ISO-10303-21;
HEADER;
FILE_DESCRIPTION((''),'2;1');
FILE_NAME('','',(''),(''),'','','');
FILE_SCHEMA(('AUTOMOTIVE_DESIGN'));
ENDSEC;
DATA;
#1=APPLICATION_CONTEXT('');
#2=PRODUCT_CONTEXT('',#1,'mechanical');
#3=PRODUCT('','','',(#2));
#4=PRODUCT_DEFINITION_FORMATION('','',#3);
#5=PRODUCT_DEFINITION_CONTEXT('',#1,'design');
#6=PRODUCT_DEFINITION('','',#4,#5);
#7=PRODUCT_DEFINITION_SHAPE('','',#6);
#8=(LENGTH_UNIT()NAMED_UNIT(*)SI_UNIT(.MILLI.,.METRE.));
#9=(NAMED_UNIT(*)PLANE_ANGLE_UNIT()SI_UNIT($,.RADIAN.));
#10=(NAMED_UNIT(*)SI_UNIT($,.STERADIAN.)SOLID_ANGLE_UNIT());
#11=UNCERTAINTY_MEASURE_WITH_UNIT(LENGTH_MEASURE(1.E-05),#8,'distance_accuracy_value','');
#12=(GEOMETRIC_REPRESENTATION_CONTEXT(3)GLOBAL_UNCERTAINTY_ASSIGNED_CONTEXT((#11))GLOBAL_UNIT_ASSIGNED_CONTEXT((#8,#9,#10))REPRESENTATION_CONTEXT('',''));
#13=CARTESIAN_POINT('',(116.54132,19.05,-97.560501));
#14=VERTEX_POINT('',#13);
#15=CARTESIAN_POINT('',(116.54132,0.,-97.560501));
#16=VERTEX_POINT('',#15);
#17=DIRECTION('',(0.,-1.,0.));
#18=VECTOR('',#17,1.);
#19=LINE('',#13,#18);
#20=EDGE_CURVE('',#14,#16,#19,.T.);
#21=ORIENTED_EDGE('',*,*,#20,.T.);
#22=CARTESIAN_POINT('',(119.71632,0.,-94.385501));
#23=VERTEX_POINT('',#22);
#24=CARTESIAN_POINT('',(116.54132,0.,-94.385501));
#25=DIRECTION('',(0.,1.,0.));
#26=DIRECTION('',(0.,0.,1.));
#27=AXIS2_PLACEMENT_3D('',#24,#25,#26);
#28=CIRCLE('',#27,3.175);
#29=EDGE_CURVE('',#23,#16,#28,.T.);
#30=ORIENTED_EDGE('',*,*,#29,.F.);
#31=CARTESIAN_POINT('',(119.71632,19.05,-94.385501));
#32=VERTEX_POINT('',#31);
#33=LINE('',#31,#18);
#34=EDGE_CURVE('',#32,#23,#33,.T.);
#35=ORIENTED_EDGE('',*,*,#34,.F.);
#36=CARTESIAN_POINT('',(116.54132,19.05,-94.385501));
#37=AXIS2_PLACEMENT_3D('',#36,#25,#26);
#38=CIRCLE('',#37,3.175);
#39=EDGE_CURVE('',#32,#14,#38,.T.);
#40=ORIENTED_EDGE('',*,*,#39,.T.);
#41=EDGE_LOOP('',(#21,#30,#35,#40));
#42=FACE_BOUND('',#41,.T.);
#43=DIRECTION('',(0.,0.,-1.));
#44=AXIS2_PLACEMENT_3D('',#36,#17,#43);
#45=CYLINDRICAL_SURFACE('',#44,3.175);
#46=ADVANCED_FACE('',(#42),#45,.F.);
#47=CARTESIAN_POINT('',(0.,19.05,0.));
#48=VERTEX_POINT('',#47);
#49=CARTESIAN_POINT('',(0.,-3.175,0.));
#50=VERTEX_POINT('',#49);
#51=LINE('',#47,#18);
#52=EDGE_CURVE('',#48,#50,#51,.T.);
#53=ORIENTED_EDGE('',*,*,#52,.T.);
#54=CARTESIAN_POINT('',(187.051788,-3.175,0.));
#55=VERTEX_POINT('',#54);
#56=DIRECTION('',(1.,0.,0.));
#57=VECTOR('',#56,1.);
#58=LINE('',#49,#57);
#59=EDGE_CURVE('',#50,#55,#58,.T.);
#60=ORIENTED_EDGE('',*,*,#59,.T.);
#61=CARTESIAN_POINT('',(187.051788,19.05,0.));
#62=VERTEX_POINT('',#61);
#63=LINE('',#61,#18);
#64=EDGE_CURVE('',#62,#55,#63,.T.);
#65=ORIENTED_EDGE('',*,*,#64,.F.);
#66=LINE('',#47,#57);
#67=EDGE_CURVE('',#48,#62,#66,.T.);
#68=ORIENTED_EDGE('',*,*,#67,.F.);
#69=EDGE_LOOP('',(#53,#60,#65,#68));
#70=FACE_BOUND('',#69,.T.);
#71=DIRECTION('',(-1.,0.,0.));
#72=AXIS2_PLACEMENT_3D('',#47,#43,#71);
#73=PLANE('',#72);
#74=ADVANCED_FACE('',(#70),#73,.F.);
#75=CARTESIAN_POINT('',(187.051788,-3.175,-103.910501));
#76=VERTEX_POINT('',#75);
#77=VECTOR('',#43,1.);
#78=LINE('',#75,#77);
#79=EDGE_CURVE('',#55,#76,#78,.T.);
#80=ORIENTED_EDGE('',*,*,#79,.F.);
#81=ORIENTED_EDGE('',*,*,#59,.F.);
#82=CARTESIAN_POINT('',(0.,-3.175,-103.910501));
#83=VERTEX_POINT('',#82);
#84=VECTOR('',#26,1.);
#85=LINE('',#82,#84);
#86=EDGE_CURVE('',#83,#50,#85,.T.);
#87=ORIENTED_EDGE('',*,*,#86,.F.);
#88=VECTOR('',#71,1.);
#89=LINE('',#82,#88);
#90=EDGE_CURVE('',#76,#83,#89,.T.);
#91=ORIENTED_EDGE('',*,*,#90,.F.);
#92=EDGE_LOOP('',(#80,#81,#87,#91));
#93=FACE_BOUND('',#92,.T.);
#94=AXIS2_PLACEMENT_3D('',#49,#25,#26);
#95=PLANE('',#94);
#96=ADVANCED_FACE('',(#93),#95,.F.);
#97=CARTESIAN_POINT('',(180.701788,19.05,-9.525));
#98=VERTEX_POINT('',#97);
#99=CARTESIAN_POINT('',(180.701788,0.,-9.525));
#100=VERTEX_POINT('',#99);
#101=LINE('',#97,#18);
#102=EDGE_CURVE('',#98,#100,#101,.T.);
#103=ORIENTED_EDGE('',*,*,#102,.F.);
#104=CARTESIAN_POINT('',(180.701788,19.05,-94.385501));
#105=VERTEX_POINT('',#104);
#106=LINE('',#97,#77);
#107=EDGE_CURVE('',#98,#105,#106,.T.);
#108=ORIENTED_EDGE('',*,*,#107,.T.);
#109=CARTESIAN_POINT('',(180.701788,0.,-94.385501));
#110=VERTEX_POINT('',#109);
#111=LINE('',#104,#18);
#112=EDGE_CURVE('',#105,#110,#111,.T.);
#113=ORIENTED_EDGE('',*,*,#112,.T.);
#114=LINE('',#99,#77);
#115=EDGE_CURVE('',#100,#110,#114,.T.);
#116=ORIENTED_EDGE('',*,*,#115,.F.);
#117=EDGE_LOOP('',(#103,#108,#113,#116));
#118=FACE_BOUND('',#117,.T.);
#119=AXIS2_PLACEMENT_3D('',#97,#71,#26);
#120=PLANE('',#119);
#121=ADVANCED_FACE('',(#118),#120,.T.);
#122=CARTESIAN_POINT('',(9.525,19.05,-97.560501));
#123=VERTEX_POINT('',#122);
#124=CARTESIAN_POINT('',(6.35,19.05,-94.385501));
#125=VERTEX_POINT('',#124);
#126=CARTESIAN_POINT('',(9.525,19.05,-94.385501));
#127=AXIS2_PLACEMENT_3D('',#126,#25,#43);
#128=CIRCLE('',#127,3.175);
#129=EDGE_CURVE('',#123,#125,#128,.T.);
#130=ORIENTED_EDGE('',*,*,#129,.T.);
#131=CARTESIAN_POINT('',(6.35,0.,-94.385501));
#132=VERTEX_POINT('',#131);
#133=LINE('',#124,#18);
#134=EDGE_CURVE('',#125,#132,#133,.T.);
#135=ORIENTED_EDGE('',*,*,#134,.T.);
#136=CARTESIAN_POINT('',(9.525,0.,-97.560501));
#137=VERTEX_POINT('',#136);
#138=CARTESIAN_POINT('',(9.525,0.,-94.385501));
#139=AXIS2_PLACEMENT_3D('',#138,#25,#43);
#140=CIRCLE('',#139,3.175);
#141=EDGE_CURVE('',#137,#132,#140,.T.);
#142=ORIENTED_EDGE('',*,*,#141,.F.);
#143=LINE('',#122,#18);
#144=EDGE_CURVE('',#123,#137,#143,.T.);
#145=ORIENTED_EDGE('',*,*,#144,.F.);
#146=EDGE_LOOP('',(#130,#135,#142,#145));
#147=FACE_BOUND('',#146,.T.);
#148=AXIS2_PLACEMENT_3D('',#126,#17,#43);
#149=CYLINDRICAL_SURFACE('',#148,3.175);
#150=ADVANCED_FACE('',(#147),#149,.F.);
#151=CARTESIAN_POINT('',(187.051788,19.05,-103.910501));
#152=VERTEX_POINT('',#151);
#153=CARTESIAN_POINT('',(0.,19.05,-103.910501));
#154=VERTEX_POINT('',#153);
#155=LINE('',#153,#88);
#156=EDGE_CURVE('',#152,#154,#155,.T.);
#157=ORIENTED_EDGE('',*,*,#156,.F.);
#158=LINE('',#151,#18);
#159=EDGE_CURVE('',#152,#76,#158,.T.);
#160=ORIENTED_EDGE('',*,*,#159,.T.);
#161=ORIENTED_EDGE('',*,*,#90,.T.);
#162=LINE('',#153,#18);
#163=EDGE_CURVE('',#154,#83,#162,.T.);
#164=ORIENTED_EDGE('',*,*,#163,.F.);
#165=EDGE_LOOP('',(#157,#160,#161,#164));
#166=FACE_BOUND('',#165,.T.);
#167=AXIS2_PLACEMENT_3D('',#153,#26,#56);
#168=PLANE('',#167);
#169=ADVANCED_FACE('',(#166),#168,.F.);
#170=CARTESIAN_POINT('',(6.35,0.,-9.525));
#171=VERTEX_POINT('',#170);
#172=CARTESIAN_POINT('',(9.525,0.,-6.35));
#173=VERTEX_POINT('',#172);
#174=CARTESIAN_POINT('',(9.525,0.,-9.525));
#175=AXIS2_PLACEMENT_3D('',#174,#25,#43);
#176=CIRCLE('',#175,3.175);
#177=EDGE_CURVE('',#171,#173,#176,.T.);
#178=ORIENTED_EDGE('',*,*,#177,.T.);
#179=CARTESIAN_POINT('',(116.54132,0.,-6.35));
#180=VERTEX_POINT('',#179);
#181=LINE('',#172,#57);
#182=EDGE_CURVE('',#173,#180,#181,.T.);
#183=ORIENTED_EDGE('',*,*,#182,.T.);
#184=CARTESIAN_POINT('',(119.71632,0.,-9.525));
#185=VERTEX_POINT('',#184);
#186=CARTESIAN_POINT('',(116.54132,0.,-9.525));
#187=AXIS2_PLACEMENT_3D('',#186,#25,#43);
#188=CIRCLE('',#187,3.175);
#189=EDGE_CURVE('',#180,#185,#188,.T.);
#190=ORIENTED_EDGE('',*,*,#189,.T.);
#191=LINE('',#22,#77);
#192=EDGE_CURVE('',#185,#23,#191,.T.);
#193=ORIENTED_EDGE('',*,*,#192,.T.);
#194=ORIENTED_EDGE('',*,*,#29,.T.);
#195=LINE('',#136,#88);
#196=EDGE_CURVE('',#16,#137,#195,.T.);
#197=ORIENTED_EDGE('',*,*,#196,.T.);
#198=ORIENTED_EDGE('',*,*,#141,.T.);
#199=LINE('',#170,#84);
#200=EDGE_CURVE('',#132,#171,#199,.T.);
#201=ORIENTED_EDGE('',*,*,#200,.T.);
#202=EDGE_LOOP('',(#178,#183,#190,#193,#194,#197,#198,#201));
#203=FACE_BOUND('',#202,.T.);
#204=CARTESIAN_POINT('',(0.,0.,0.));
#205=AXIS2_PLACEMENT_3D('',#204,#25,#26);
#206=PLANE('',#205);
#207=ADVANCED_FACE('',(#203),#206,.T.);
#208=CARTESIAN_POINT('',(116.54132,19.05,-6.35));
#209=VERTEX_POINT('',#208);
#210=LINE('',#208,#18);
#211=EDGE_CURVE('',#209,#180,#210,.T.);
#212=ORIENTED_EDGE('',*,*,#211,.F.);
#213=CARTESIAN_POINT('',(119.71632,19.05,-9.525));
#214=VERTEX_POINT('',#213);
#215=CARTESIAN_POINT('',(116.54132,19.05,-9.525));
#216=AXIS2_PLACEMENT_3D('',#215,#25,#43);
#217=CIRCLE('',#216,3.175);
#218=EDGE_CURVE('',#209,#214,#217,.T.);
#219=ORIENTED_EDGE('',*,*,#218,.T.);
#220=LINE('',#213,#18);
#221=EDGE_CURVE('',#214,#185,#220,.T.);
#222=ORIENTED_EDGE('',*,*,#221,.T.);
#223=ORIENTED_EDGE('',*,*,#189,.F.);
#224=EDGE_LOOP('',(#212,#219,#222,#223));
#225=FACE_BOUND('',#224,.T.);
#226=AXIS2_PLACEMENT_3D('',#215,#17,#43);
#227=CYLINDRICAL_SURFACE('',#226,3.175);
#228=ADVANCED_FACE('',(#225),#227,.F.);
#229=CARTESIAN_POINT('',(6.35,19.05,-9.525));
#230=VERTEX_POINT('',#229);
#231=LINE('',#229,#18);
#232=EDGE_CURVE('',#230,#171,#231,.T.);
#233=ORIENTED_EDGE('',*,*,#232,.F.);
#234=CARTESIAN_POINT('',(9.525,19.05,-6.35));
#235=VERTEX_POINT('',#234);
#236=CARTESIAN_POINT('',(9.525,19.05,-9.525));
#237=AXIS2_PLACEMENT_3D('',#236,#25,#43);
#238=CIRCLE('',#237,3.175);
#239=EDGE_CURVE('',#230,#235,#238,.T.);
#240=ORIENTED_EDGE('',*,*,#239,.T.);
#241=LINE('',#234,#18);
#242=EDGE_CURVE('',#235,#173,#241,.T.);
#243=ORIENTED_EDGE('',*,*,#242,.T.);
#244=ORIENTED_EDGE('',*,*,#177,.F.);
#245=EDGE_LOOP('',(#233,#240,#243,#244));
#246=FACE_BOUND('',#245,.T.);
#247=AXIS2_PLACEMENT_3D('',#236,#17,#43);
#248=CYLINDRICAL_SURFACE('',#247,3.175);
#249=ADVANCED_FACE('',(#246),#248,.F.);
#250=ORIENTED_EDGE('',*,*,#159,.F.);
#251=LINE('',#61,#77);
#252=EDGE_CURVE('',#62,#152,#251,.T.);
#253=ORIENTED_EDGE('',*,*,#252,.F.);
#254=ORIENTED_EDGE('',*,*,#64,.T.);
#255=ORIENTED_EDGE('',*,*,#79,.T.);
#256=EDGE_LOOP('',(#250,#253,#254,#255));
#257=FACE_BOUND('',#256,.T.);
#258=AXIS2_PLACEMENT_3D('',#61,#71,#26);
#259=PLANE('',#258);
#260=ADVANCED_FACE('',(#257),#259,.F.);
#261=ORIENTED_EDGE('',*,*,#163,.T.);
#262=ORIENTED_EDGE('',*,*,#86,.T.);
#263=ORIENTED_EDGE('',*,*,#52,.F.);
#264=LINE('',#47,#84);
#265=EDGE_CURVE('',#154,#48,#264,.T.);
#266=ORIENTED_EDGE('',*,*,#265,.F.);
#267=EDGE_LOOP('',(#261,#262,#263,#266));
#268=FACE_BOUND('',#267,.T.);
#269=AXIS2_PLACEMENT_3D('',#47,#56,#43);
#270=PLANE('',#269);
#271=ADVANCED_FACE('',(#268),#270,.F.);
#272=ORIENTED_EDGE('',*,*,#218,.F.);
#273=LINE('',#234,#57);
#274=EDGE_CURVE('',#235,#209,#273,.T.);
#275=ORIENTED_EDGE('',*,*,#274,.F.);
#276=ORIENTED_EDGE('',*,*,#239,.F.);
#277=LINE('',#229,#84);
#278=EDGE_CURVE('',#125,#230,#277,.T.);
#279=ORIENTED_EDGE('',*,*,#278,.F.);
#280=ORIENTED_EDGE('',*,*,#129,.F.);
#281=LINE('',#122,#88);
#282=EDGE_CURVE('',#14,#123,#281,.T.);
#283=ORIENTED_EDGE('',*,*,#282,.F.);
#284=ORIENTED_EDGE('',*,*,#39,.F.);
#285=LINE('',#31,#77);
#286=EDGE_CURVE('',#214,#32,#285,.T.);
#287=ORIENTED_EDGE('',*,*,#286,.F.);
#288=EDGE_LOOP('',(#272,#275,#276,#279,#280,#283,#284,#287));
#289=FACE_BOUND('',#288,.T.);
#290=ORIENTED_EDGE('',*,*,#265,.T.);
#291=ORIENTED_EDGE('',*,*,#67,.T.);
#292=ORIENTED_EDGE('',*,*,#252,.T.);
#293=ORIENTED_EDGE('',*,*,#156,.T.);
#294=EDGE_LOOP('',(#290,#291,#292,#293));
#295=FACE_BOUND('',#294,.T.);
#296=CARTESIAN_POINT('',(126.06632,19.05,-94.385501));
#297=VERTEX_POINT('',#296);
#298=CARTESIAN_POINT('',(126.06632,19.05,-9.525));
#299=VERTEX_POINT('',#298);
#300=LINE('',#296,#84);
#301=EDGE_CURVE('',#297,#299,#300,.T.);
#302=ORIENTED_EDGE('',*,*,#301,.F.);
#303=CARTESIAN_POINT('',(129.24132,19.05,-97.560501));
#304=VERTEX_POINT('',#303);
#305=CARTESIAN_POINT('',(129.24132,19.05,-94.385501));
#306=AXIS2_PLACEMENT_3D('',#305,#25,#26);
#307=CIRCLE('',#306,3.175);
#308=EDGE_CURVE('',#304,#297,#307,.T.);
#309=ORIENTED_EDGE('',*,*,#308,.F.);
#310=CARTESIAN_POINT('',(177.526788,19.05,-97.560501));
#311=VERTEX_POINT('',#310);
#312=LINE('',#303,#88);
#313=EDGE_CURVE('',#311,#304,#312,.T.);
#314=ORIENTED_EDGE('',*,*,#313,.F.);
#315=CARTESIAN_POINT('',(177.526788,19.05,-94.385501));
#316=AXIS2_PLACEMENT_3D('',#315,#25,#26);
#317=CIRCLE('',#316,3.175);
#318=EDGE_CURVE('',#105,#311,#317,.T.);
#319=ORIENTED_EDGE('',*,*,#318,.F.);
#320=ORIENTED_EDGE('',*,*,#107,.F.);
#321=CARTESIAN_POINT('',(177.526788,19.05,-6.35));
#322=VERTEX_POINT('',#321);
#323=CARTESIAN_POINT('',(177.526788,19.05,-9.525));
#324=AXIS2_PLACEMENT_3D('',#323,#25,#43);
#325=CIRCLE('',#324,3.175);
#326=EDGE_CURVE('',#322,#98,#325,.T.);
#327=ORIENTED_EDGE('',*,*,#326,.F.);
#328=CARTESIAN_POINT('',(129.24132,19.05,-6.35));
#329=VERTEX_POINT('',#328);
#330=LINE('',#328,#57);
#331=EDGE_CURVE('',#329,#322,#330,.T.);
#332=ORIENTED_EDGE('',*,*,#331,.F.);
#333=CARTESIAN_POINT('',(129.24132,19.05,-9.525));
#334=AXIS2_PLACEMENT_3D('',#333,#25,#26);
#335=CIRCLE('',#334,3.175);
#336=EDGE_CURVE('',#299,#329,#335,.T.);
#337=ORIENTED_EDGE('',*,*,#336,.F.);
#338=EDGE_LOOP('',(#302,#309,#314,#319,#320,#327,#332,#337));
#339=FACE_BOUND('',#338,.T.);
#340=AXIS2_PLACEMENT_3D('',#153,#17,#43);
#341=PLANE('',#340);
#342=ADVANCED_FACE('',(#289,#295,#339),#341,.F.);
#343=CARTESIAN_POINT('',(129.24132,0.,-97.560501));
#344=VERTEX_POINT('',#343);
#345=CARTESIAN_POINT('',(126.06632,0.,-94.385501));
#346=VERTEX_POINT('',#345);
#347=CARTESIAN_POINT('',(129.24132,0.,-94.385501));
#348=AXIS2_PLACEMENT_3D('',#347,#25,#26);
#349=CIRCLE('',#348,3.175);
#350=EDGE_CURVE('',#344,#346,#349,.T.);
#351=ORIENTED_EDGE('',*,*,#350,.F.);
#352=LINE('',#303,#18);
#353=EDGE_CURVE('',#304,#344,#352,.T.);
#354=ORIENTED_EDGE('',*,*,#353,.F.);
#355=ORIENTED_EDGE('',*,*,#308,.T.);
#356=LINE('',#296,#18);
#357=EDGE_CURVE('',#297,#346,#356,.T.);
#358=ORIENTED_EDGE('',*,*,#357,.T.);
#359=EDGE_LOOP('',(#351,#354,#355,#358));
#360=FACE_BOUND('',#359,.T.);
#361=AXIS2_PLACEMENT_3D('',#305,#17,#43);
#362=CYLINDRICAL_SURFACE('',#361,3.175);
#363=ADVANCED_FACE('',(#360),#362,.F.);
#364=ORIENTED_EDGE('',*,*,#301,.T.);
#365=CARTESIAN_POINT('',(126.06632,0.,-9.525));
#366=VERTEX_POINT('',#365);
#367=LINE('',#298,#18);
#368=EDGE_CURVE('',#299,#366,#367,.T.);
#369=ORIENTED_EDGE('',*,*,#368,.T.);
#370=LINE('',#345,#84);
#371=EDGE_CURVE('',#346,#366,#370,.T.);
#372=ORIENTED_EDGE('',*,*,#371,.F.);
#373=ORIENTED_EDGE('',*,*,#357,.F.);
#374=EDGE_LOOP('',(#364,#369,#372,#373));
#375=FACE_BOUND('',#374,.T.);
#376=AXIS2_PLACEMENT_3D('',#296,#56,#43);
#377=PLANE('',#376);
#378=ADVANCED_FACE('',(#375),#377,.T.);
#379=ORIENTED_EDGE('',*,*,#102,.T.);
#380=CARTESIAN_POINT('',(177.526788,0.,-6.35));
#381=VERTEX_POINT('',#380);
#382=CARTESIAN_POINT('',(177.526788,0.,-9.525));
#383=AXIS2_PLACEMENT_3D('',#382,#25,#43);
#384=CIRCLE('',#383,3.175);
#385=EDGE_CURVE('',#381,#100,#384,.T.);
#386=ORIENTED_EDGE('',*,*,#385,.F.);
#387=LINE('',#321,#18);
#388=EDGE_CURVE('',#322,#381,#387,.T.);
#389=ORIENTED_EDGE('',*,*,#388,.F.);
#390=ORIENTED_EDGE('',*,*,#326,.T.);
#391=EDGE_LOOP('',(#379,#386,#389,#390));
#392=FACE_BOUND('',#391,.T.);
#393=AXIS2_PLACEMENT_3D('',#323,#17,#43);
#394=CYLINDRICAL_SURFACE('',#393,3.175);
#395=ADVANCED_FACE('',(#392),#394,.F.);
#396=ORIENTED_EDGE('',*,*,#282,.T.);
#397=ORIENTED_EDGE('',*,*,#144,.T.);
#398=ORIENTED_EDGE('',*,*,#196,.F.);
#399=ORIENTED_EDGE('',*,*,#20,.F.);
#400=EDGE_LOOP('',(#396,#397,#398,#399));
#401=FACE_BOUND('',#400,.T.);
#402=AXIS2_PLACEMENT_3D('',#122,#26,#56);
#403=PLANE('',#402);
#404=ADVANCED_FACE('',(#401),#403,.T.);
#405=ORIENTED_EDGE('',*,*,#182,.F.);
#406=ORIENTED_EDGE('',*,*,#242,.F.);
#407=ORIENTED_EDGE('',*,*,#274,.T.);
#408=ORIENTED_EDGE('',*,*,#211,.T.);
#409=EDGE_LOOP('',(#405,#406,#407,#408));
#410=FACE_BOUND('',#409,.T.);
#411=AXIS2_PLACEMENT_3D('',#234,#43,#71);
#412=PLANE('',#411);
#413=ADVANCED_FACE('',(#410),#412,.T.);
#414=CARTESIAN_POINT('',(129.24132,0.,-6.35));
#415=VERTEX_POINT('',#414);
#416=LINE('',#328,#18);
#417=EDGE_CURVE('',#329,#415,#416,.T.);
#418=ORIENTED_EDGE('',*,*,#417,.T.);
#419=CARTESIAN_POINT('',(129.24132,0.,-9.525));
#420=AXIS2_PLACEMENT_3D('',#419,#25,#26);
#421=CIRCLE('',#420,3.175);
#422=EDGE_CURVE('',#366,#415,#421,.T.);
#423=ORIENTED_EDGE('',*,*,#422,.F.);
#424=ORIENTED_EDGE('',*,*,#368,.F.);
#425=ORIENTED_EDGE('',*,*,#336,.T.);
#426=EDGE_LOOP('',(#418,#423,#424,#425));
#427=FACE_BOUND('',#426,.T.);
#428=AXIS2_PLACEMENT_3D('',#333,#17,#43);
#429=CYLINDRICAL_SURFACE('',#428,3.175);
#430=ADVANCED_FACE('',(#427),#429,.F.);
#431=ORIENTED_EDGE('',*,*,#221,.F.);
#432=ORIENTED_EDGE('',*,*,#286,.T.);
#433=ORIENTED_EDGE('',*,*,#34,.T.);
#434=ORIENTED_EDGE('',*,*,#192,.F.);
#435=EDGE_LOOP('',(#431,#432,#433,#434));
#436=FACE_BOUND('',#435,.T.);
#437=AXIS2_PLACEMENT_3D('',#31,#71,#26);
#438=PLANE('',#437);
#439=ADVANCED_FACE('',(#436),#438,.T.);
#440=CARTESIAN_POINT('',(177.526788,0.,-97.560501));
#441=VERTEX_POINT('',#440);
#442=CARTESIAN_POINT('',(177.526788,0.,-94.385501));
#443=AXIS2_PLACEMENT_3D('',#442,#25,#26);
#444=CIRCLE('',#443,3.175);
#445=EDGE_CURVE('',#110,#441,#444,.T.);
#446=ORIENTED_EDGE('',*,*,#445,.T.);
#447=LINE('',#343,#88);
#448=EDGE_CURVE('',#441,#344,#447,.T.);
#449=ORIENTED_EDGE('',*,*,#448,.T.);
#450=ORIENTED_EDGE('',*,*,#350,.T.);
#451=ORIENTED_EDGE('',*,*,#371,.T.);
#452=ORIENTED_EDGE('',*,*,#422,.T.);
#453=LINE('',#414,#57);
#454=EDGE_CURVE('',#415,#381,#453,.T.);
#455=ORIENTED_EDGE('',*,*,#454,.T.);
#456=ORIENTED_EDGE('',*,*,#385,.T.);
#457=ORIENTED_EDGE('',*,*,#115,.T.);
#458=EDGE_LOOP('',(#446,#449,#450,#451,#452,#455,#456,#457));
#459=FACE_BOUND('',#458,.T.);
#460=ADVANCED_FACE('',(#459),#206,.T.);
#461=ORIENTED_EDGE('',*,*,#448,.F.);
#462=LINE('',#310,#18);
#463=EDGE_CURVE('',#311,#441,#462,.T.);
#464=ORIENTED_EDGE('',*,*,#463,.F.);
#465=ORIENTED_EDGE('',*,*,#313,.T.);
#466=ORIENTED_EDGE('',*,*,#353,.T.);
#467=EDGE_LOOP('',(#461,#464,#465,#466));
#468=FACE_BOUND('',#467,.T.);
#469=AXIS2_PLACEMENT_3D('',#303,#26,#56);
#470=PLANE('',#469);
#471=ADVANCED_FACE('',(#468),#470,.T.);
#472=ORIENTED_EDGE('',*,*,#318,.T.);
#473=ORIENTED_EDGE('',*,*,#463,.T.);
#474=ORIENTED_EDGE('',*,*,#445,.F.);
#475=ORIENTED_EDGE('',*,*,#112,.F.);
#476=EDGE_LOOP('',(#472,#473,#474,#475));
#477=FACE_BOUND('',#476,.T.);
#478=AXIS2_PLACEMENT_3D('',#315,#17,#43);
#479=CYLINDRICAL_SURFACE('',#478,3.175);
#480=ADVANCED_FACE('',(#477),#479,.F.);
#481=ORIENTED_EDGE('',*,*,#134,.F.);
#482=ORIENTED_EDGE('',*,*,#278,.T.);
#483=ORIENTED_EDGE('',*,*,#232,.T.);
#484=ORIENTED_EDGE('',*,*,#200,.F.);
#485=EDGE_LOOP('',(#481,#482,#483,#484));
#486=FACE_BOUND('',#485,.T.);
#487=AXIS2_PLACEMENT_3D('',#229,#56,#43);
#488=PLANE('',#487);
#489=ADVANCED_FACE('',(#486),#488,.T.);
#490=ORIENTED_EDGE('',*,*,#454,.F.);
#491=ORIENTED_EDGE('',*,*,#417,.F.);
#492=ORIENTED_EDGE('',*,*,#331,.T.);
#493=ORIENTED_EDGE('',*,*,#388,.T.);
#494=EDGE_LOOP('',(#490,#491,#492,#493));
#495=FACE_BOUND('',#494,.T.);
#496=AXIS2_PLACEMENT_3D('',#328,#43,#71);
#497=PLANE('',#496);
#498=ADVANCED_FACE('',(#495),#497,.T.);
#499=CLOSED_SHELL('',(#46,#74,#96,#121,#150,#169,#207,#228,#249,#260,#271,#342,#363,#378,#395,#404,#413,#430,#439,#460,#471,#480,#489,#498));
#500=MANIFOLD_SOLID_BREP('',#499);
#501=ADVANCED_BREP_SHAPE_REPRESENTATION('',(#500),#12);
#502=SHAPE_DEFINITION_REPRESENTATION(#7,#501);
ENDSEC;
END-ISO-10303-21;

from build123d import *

# Parameters (mm, degrees)
SKETCH11_W     = 187.05178758
SKETCH11_H     = 103.91050065
EXTRUDE3_DEPTH = 19.05
SKETCH12_W     = 187.05178758
SKETCH12_H     = 103.91050065
EXTRUDE4_DEPTH = 3.175


with BuildPart() as part:
    # Sketch11 → Extrude3 (new body)
    with BuildSketch(Plane(origin=(0, 0, 0), x_dir=(1, 0, 0), z_dir=(0, 1, 0))):
        with Locations((93.52589379, 51.955250325)):
            Rectangle(SKETCH11_W, SKETCH11_H)
        with BuildLine():
            Line((9.525, 6.35), (116.541319734, 6.35))
            ThreePointArc((116.541319734, 6.35), (118.786383764, 7.27993597), (119.716319734, 9.525))
            Line((119.716319734, 9.525), (119.716319734, 94.38550065))
            ThreePointArc((119.716319734, 94.38550065), (118.786383764, 96.63056468), (116.541319734, 97.56050065))
            Line((116.541319734, 97.56050065), (9.525, 97.56050065))
            ThreePointArc((9.525, 97.56050065), (7.27993597, 96.63056468), (6.35, 94.38550065))
            Line((6.35, 94.38550065), (6.35, 9.525))
            ThreePointArc((6.35, 9.525), (7.27993597, 7.27993597), (9.525, 6.35))
        make_face(mode=Mode.SUBTRACT)
        with BuildLine():
            Line((180.70178758, 9.525), (180.70178758, 94.38550065))
            ThreePointArc((180.70178758, 94.38550065), (179.77185161, 96.63056468), (177.52678758, 97.56050065))
            Line((177.52678758, 97.56050065), (129.241319734, 97.56050065))
            ThreePointArc((129.241319734, 97.56050065), (126.996255703, 96.63056468), (126.066319734, 94.38550065))
            Line((126.066319734, 94.38550065), (126.066319734, 9.525))
            ThreePointArc((126.066319734, 9.525), (126.996255703, 7.27993597), (129.241319734, 6.35))
            Line((129.241319734, 6.35), (177.52678758, 6.35))
            ThreePointArc((177.52678758, 6.35), (179.77185161, 7.27993597), (180.70178758, 9.525))
        make_face(mode=Mode.SUBTRACT)
    extrude(amount=EXTRUDE3_DEPTH)

    # Sketch12 → Extrude4 (add)
    with BuildSketch(Plane(origin=(0, 0, 0), x_dir=(1, 0, 0), z_dir=(0, 1, 0))):
        with Locations((93.52589379, 51.955250325)):
            Rectangle(SKETCH12_W, SKETCH12_H)
    extrude(amount=-EXTRUDE4_DEPTH)


solid = part.part
